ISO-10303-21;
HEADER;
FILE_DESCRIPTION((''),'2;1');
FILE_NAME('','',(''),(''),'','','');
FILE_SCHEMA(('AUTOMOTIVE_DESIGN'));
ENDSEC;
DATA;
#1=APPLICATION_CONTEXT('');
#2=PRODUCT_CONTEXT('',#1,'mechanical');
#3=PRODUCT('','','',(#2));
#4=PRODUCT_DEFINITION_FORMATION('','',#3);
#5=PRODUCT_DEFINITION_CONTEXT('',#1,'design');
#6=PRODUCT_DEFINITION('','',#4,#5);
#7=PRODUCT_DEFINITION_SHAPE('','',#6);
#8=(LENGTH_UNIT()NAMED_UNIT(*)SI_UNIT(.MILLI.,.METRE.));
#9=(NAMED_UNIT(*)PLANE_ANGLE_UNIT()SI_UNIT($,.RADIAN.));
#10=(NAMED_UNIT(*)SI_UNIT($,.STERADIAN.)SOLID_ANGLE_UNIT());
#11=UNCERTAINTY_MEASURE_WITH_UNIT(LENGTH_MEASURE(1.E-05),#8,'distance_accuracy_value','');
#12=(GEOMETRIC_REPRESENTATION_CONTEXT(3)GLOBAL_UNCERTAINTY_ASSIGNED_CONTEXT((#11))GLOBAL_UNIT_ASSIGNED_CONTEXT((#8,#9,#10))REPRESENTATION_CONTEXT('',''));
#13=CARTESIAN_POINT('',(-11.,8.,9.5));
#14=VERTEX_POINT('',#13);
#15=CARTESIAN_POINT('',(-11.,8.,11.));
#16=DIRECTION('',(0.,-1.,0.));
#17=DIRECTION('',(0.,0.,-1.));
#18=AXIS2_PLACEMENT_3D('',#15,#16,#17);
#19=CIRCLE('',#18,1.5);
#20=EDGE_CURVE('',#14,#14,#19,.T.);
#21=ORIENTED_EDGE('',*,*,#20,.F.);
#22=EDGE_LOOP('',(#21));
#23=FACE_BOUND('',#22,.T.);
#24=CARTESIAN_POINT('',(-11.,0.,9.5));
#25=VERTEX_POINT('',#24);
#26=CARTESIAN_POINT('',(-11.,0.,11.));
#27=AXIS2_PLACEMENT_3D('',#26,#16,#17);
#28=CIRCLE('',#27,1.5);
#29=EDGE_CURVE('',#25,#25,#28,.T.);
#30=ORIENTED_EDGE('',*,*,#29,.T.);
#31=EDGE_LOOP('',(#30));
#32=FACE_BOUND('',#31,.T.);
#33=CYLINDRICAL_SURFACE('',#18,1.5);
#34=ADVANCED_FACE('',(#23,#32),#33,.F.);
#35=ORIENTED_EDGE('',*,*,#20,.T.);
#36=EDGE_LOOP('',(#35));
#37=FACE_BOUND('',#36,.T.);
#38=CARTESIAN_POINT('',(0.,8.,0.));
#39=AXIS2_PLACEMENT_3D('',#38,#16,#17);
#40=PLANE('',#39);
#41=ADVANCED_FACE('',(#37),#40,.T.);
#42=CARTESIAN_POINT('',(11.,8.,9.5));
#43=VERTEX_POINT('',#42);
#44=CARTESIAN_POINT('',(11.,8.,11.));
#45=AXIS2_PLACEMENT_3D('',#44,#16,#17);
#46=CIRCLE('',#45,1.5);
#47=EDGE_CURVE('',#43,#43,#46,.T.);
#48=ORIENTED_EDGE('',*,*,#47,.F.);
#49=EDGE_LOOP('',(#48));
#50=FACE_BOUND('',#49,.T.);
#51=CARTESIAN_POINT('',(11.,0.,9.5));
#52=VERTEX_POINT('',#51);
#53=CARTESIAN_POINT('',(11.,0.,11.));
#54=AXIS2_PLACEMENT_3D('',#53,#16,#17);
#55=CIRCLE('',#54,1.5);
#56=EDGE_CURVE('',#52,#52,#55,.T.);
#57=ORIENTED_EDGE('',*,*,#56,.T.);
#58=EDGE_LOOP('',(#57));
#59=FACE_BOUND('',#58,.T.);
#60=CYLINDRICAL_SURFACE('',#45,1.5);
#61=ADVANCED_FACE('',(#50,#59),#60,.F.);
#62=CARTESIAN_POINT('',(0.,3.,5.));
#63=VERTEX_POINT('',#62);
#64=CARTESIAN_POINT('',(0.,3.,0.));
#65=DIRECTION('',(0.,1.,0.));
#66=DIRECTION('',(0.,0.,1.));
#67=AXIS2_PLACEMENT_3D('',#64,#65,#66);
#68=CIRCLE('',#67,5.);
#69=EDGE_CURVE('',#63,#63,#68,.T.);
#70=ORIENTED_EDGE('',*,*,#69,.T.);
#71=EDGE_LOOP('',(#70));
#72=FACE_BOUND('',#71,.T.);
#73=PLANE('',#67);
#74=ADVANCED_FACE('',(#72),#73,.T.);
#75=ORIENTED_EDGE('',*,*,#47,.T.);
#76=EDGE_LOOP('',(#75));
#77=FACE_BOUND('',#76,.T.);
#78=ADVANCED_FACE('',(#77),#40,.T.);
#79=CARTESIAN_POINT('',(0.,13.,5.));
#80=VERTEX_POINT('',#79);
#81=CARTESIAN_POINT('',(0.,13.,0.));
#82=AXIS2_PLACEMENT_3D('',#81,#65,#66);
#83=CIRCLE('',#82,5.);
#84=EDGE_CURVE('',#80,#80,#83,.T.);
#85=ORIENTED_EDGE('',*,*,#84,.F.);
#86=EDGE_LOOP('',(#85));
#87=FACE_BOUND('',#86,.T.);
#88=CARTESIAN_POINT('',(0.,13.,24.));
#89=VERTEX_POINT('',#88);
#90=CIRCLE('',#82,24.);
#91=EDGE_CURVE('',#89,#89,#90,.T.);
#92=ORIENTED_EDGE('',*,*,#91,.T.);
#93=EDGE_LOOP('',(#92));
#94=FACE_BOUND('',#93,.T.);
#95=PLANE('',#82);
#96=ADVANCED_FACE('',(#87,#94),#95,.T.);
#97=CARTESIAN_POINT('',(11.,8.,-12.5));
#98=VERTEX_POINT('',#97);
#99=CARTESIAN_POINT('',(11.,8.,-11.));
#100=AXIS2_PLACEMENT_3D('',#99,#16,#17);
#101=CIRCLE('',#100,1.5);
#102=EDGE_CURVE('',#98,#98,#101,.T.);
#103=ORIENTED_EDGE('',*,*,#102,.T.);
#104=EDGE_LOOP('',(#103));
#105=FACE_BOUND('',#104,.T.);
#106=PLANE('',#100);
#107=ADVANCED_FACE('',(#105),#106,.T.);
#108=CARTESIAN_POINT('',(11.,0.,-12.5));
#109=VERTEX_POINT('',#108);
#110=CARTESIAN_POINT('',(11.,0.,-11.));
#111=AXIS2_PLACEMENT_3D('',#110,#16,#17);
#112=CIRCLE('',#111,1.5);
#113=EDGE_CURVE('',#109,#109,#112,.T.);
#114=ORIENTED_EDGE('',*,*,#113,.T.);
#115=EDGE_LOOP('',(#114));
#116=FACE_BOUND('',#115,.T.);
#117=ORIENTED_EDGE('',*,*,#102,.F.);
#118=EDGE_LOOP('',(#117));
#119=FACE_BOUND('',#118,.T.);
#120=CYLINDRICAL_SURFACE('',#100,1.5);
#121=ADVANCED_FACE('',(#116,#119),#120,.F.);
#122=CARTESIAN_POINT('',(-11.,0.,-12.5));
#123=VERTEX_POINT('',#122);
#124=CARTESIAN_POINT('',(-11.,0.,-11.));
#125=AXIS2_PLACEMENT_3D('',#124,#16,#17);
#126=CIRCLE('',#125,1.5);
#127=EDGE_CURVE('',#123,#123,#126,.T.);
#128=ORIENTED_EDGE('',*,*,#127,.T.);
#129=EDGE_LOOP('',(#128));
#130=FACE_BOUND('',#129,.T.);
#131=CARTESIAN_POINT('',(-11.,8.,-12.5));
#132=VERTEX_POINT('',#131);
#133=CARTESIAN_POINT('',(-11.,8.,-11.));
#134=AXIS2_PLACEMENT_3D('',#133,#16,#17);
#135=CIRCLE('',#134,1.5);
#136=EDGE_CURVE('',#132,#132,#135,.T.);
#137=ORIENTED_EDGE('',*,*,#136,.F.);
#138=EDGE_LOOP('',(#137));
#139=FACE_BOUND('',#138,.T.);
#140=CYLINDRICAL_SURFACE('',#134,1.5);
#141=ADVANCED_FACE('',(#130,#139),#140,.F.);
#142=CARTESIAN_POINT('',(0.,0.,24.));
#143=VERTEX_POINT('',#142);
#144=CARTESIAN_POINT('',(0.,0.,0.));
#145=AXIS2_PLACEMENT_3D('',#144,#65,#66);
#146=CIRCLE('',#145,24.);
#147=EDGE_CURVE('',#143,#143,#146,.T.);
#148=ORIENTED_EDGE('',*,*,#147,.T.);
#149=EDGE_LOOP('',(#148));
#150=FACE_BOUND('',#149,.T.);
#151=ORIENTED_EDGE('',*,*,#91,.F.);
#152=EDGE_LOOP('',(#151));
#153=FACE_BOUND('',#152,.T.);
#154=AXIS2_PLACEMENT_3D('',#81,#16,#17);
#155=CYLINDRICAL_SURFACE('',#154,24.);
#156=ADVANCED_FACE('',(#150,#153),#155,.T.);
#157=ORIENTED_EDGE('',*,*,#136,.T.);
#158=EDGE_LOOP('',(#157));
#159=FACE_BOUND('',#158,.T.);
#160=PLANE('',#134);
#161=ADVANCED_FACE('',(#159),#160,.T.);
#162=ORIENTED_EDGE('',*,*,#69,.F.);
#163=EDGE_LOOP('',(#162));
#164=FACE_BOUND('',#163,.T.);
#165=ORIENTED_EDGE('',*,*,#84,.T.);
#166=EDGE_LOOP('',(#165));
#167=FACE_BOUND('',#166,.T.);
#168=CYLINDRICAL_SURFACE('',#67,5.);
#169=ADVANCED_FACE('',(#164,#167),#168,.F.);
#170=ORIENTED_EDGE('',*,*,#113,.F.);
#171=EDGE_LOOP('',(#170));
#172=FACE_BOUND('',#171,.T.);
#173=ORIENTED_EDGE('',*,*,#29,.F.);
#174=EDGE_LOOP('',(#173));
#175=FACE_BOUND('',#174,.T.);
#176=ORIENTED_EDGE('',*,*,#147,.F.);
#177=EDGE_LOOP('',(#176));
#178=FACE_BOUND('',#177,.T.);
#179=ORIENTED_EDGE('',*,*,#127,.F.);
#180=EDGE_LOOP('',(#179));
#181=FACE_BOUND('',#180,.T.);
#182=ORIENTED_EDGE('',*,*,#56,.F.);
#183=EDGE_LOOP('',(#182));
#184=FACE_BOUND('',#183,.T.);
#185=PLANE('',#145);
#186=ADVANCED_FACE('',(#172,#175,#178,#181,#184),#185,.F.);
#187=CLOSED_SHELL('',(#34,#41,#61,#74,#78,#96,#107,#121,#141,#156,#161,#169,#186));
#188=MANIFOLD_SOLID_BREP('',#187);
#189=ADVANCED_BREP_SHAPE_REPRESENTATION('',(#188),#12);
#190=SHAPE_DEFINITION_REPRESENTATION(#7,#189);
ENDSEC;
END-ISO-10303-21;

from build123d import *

# Parameters (mm, degrees)
SKETCH1_R           = 24
BOSS_EXTRUDE1_DEPTH = 13
SKETCH2_R           = 5
CUT_EXTRUDE1_DEPTH  = 10
SKETCH3_R           = 1.5
CUT_EXTRUDE2_DEPTH  = 8


with BuildPart() as part:
    # Sketch1 → Boss-Extrude1 (new body)
    with BuildSketch(Plane(origin=(0, 0, 0), x_dir=(1, 0, 0), z_dir=(0, 1, 0))):
        Circle(SKETCH1_R)
    extrude(amount=BOSS_EXTRUDE1_DEPTH)

    # Sketch2 → Cut-Extrude1 (cut)
    with BuildSketch(Plane(origin=(0, 13, 0), x_dir=(1, 0, 0), z_dir=(0, 1, 0))):
        Circle(SKETCH2_R)
    extrude(amount=-CUT_EXTRUDE1_DEPTH, mode=Mode.SUBTRACT)

    # Sketch3 → Cut-Extrude2 (cut)
    with BuildSketch(Plane(origin=(0, 0, 0), x_dir=(-1, 0, 0), z_dir=(0, -1, 0))):
        with BuildLine():
            ThreePointArc((11, -9.5), (9.939339828, -9.939339828), (9.5, -11))
            Line((9.5, -11), (11, -11))
            Line((11, -11), (11, -9.5))
        make_face()
        with BuildLine():
            Line((11, -11), (9.5, -11))
            ThreePointArc((9.5, -11), (11, -12.5), (12.5, -11))
            ThreePointArc((12.5, -11), (12.060660172, -9.939339828), (11, -9.5))
            Line((11, -9.5), (11, -11))
        make_face()
        with BuildLine():
            ThreePointArc((-11, -9.5), (-12.060660172, -12.060660172), (-9.5, -11))
            Line((-9.5, -11), (-11, -11))
            Line((-11, -11), (-11, -9.5))
        make_face()
        with BuildLine():
            Line((-11, -11), (-9.5, -11))
            ThreePointArc((-9.5, -11), (-9.939339828, -9.939339828), (-11, -9.5))
            Line((-11, -9.5), (-11, -11))
        make_face()
        with Locations((11, 11)):
            Circle(SKETCH3_R)
        with Locations((-11, 11)):
            Circle(SKETCH3_R)
    extrude(amount=-CUT_EXTRUDE2_DEPTH, mode=Mode.SUBTRACT)


solid = part.part
